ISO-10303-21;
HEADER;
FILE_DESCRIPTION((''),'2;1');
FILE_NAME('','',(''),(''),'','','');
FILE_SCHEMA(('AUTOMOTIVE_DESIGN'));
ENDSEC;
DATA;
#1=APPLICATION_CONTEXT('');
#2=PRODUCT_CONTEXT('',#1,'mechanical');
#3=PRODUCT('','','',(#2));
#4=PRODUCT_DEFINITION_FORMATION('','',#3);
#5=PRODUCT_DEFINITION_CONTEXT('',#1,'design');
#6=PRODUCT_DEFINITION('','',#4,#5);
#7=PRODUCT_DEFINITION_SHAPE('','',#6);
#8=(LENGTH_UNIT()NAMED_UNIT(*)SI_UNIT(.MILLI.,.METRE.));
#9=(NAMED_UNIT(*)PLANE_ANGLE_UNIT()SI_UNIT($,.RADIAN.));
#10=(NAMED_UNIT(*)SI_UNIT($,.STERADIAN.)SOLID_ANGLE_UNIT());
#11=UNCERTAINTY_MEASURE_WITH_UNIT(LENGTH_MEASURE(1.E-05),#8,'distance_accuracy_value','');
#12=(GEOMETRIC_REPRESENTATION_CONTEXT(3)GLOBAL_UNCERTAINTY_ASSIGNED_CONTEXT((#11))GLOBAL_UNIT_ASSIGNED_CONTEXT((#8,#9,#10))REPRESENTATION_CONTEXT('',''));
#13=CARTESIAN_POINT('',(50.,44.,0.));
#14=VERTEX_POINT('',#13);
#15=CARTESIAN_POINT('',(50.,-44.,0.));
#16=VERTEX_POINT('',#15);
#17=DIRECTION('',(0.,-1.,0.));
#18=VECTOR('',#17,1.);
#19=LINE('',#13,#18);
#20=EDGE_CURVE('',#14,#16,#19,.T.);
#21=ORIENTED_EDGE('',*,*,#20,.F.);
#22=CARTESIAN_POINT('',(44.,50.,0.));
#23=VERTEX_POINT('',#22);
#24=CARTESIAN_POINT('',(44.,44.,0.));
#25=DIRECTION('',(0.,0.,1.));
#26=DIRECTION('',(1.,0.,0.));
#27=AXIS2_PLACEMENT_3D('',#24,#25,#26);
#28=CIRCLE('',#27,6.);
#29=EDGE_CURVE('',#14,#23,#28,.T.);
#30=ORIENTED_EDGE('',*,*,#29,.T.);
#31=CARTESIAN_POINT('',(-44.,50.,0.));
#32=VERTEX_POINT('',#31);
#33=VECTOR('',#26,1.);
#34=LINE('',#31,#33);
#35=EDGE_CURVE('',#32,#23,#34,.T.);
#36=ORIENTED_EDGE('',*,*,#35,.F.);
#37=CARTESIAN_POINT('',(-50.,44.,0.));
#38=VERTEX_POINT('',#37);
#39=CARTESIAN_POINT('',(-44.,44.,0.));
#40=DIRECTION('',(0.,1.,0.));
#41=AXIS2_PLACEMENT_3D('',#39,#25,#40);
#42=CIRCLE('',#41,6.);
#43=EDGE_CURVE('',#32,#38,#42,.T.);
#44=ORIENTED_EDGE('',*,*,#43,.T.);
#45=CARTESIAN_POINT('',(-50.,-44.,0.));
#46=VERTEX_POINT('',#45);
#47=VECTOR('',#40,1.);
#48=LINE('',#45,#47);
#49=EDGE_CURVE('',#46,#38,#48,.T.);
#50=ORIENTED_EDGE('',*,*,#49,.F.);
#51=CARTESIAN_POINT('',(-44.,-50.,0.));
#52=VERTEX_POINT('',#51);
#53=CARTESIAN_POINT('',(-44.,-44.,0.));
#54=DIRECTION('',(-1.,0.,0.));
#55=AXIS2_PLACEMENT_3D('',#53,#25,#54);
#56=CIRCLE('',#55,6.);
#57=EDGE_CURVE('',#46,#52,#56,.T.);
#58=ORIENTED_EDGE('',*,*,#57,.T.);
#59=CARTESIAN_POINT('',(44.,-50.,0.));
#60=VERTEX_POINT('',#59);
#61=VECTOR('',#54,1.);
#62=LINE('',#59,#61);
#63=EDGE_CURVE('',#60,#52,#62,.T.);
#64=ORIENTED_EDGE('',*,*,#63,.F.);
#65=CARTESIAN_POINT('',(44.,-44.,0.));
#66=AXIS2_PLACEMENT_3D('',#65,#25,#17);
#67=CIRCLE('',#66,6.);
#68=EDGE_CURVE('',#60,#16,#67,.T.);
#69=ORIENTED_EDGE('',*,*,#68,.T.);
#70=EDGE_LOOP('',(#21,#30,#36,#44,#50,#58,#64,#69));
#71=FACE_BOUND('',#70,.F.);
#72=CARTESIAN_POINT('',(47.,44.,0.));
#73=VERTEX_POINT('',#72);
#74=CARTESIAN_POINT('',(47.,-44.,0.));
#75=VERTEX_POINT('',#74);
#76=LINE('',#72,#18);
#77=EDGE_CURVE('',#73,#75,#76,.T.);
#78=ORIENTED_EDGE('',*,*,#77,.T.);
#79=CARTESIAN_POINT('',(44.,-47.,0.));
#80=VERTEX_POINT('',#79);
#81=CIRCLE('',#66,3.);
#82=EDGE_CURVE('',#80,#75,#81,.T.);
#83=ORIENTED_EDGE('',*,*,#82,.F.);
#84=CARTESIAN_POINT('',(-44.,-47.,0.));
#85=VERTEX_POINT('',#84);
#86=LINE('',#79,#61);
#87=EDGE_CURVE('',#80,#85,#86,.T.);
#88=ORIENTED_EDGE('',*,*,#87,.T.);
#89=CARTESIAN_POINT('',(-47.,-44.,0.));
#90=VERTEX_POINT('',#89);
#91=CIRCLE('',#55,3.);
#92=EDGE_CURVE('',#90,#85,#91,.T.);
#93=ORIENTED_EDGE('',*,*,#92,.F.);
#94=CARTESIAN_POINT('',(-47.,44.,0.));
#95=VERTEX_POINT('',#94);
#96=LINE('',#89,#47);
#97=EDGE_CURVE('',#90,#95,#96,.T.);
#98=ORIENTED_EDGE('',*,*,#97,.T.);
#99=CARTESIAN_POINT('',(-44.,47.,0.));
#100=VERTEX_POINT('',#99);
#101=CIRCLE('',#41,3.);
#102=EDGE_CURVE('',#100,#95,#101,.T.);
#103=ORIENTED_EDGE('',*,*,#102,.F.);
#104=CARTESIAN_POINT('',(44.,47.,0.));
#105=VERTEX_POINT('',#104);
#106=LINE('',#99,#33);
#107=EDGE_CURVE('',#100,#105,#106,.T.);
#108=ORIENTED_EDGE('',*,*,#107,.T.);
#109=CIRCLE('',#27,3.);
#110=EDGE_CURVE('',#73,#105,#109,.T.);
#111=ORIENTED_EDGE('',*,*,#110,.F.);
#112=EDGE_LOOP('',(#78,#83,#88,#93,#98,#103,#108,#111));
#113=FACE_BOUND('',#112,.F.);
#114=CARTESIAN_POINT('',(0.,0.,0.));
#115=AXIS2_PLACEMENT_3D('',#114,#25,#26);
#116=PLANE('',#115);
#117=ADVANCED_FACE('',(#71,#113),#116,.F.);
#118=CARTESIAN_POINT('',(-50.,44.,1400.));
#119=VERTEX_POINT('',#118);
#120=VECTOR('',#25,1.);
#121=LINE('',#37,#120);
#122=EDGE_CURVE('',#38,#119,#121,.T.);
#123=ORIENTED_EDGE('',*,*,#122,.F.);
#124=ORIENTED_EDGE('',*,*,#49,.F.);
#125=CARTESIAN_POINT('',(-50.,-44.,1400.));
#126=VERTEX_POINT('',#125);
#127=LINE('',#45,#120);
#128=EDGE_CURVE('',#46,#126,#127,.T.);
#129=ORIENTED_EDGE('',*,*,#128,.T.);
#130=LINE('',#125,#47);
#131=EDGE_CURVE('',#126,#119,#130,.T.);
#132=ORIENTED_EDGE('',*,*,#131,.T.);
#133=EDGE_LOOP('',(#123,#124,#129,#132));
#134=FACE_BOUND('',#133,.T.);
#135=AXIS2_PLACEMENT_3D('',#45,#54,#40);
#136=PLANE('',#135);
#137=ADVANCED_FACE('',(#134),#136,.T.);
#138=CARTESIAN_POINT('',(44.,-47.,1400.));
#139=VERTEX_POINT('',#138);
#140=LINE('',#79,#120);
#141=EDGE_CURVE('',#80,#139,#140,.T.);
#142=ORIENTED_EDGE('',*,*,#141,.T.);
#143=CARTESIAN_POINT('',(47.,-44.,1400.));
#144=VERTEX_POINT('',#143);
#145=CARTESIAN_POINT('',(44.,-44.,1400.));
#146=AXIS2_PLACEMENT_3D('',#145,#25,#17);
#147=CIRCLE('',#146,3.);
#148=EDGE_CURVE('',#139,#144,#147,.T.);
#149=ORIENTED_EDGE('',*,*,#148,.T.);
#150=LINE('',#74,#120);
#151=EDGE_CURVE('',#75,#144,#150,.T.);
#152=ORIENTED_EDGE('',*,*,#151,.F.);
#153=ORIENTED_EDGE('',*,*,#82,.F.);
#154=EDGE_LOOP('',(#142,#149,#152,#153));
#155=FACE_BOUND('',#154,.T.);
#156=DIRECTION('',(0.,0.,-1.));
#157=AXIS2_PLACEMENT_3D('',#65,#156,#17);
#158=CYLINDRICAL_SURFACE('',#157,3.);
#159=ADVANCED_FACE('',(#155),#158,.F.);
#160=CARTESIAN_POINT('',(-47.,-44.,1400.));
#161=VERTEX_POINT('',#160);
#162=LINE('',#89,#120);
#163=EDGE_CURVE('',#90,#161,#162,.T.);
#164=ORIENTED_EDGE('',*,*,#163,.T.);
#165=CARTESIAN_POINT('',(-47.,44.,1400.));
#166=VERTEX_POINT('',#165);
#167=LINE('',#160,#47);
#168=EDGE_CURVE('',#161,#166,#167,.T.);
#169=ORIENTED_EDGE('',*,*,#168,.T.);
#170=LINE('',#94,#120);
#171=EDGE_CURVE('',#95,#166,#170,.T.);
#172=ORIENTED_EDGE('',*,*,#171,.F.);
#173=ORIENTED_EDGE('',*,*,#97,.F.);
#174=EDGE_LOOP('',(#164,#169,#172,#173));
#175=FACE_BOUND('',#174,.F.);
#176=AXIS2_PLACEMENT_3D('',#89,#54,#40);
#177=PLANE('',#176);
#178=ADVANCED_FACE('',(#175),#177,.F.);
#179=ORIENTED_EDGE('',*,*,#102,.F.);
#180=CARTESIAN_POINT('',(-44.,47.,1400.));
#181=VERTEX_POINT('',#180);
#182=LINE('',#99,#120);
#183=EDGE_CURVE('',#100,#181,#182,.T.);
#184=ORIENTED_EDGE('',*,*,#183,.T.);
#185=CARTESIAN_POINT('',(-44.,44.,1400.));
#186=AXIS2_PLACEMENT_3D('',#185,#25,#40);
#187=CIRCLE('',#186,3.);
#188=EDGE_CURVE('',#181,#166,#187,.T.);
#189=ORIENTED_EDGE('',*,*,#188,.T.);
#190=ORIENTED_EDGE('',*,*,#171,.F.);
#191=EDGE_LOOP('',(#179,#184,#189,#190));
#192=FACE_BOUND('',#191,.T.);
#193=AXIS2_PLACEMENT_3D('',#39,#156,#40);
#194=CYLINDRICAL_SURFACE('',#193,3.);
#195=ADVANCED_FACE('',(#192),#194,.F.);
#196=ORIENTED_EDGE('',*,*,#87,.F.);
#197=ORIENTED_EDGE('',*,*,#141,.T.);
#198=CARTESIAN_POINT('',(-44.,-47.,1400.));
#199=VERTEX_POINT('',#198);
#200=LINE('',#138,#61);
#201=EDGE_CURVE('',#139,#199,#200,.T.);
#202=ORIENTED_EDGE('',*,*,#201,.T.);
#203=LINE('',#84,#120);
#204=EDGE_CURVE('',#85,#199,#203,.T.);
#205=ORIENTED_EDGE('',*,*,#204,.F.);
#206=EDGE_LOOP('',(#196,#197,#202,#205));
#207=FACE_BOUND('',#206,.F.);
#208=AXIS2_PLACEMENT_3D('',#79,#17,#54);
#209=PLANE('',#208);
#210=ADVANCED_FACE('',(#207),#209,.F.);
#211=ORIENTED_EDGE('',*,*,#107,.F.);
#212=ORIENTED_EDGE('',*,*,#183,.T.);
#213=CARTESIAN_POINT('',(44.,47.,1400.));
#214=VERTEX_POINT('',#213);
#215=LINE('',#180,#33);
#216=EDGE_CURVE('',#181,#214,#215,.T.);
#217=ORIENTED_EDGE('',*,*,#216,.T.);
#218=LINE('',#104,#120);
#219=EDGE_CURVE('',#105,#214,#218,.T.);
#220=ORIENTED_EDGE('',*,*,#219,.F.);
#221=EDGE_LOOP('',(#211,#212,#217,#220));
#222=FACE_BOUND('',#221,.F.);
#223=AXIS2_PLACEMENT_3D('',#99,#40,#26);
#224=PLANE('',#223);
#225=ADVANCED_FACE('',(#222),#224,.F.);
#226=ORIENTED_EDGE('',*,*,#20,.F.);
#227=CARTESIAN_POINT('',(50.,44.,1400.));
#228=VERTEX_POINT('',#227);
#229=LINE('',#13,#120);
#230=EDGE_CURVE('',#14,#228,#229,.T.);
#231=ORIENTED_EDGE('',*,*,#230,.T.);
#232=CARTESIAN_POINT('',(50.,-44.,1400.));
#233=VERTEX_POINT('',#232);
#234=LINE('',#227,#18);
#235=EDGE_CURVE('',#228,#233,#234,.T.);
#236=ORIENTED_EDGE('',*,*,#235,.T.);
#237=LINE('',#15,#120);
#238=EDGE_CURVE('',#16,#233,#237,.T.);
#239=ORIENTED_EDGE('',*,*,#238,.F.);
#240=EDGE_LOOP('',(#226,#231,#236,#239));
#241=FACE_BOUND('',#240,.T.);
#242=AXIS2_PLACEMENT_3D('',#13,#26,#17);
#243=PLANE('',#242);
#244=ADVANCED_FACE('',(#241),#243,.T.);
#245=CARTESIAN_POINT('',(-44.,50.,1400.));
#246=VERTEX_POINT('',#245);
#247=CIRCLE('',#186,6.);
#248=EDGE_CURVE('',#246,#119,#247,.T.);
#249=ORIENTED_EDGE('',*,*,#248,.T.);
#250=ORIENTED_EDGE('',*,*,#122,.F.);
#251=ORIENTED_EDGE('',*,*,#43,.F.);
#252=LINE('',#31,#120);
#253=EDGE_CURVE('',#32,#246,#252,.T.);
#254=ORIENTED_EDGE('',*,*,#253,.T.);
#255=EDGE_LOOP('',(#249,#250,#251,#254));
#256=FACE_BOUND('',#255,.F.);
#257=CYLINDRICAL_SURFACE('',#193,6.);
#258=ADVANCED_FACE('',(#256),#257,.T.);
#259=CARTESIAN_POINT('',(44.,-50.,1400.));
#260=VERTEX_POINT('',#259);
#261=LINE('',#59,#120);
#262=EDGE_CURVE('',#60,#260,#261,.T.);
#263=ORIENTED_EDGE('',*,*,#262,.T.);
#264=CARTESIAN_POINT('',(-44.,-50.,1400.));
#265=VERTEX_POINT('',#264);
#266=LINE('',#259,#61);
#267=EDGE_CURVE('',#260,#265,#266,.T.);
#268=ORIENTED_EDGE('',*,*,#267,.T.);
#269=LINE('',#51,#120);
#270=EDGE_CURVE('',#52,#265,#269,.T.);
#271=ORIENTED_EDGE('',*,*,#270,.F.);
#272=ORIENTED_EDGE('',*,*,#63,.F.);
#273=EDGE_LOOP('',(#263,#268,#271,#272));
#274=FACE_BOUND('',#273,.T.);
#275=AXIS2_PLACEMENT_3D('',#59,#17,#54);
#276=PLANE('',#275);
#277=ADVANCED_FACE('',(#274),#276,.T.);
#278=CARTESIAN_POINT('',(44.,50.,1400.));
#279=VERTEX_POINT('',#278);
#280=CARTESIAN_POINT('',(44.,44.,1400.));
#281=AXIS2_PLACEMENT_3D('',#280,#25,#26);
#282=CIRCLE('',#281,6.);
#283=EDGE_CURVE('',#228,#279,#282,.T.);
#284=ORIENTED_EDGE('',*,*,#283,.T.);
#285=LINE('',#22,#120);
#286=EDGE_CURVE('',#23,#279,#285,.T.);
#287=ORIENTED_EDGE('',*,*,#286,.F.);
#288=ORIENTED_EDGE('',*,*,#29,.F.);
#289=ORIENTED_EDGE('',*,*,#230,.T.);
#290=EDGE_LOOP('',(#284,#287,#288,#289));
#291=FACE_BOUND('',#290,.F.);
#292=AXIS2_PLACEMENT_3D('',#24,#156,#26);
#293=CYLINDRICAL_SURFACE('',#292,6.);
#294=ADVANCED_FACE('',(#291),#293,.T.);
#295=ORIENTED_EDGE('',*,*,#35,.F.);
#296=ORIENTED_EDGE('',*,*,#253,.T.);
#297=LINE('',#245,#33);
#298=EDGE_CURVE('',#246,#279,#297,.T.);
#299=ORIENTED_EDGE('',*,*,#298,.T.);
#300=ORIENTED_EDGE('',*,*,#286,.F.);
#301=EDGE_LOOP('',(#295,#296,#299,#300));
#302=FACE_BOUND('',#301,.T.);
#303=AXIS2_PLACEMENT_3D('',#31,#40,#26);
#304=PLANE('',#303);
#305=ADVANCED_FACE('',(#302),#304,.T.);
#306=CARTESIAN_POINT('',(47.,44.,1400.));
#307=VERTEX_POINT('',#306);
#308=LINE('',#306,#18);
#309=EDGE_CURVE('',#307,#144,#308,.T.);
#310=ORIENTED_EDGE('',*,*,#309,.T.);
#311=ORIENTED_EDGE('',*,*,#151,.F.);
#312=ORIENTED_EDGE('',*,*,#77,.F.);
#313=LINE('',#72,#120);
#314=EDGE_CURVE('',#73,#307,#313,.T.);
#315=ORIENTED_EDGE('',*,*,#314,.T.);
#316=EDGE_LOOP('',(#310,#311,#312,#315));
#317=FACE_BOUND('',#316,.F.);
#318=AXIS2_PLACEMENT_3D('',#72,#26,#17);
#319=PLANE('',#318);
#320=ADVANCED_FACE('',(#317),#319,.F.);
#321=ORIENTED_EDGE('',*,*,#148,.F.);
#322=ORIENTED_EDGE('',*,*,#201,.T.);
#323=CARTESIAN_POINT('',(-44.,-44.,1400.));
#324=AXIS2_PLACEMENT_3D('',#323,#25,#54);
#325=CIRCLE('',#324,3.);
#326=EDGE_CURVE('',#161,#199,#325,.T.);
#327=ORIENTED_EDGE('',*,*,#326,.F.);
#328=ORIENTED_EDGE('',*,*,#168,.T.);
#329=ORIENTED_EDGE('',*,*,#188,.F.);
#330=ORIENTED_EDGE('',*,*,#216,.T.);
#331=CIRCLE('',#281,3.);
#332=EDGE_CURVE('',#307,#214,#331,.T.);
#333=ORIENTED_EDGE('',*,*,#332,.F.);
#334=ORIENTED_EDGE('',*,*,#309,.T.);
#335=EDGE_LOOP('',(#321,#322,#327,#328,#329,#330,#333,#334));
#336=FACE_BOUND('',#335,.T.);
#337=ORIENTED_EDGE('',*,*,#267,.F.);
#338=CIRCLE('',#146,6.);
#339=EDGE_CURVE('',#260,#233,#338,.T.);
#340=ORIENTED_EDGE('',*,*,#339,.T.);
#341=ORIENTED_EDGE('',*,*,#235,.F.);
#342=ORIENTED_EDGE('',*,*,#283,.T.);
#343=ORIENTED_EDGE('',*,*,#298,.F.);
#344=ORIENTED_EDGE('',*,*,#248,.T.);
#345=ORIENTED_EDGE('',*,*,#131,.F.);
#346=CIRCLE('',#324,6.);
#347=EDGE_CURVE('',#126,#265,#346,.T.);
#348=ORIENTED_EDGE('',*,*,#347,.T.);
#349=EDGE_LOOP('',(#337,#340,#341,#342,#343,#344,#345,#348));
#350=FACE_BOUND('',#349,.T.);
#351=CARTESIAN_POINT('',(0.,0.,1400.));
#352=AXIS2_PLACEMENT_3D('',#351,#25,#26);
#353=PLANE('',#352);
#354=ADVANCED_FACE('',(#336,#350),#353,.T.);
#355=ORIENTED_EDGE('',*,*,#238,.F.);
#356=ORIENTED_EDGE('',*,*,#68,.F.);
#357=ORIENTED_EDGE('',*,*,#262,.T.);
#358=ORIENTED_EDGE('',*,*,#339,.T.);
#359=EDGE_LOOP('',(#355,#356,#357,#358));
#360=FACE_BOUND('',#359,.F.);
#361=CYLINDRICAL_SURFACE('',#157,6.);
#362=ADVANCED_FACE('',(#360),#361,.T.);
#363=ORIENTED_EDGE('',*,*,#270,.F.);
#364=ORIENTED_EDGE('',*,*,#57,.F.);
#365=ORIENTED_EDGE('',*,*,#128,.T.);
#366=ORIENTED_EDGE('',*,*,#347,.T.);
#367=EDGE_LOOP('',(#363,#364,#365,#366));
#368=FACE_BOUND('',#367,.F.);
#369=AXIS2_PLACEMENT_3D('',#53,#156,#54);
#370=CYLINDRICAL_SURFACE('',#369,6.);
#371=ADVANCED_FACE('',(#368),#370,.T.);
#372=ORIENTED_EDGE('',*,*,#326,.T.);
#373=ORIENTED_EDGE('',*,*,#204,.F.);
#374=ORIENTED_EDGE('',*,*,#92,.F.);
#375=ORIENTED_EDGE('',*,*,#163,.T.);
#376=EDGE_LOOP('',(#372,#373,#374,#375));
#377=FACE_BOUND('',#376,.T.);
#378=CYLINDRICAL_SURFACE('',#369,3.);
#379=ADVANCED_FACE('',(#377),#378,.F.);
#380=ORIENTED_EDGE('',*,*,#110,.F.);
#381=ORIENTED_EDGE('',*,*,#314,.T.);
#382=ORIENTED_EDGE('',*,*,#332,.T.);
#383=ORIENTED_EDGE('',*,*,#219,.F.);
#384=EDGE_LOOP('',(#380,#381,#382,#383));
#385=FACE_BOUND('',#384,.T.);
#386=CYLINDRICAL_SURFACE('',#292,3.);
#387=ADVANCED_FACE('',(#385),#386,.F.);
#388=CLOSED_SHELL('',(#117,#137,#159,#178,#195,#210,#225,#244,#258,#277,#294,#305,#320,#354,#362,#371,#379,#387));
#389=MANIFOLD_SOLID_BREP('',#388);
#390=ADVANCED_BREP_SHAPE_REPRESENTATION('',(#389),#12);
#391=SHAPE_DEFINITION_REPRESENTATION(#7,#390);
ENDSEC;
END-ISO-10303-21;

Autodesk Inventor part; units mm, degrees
ref_plane "YZ Plane" through (0, 0, 0) normal (1, 0, 0) x (0, 1, 0)
ref_plane "Start Plane" through (0, 0, 0) normal (0, 0, 1) x (1, 0, 0)
ref_plane "End Plane" through (0, 0, 1400) normal (0, 0, 1) x (1, 0, 0)
sketch "Sketch" plane through (0, 0, 0) normal (0, 0, 1) x (1, 0, 0)
  line L0 (-50, -44) -> (-50, 44)
  line L1 (-44, 50) -> (44, 50)
  line L2 (50, 44) -> (50, -44)
  line L3 (44, -50) -> (-44, -50)
  arc A0 (-50, -44) -> (-44, -50) centre (-44, -44) ccw
  arc A1 (50, 44) -> (44, 50) centre (44, 44) ccw
  arc A2 (-44, 50) -> (-50, 44) centre (-44, 44) ccw
  arc A3 (44, -50) -> (50, -44) centre (44, -44) ccw
  arc A4 (-44, 47) -> (-47, 44) centre (-44, 44) ccw
  line L4 (-44, 47) -> (44, 47)
  arc A5 (47, 44) -> (44, 47) centre (44, 44) ccw
  line L5 (47, 44) -> (47, -44)
  arc A6 (44, -47) -> (47, -44) centre (44, -44) ccw
  line L6 (44, -47) -> (-44, -47)
  arc A7 (-47, -44) -> (-44, -47) centre (-44, -44) ccw
  line L7 (-47, -44) -> (-47, 44)
  line L8 (0, 71.7397) -> (0, -71.7397) construction
  line L9 (-71.7397, 0) -> (71.7397, 0) construction
  dimension "d7" = 6
  dimension "d9" = 100
  dimension "d11" = 100
  dimension "d12" = 3
  dimension "d15" = 50
  dimension "d16" = 50
extrude "Body" add sketch "Sketch" along normal up to surface (1400 mm away) from surface at 0
sketch "Sketch3" plane through (0, 0, 0) normal (0, 0, 1) x (1, 0, 0)
  line L0 (0, 0) -> (10, 0)
ref_plane "Work Plane3" through (0, 0, 0) normal (0, -1, 0) x (1, 0, 0)
sketch "Sketch4" plane through (0, 0, 0) normal (0, -1, 0) x (1, 0, 0)
  line L0 (-2, 0) -> (12, 0) projected
  line L1 (-2, 1400) -> (12, 1400) projected
  dimension "d18" = 1400
equation "\"d7\" = G_IR"
equation "\"d9\" = G_W"
equation "\"d11\" = G_H"
equation "\"d12\" = G_T"
equation "\"d15\" = 0.5 * d9"
equation "\"d16\" = 0.5 * d11"
equation "\"d3\" = G_L"
equation "\"G_W\" = 100"
equation "\"G_H\" = 100"
equation "\"G_T\" = 3"
equation "\"G_IR\" = 6"
equation "\"G_L\" = d18"
equation "\"G_OFFSET_START\" = 0"
equation "\"G_OFFSET_END\" = 0"
properties part number "ISO 10799-2 - 100x100x3 - 1400" material "Steel, Mild"
